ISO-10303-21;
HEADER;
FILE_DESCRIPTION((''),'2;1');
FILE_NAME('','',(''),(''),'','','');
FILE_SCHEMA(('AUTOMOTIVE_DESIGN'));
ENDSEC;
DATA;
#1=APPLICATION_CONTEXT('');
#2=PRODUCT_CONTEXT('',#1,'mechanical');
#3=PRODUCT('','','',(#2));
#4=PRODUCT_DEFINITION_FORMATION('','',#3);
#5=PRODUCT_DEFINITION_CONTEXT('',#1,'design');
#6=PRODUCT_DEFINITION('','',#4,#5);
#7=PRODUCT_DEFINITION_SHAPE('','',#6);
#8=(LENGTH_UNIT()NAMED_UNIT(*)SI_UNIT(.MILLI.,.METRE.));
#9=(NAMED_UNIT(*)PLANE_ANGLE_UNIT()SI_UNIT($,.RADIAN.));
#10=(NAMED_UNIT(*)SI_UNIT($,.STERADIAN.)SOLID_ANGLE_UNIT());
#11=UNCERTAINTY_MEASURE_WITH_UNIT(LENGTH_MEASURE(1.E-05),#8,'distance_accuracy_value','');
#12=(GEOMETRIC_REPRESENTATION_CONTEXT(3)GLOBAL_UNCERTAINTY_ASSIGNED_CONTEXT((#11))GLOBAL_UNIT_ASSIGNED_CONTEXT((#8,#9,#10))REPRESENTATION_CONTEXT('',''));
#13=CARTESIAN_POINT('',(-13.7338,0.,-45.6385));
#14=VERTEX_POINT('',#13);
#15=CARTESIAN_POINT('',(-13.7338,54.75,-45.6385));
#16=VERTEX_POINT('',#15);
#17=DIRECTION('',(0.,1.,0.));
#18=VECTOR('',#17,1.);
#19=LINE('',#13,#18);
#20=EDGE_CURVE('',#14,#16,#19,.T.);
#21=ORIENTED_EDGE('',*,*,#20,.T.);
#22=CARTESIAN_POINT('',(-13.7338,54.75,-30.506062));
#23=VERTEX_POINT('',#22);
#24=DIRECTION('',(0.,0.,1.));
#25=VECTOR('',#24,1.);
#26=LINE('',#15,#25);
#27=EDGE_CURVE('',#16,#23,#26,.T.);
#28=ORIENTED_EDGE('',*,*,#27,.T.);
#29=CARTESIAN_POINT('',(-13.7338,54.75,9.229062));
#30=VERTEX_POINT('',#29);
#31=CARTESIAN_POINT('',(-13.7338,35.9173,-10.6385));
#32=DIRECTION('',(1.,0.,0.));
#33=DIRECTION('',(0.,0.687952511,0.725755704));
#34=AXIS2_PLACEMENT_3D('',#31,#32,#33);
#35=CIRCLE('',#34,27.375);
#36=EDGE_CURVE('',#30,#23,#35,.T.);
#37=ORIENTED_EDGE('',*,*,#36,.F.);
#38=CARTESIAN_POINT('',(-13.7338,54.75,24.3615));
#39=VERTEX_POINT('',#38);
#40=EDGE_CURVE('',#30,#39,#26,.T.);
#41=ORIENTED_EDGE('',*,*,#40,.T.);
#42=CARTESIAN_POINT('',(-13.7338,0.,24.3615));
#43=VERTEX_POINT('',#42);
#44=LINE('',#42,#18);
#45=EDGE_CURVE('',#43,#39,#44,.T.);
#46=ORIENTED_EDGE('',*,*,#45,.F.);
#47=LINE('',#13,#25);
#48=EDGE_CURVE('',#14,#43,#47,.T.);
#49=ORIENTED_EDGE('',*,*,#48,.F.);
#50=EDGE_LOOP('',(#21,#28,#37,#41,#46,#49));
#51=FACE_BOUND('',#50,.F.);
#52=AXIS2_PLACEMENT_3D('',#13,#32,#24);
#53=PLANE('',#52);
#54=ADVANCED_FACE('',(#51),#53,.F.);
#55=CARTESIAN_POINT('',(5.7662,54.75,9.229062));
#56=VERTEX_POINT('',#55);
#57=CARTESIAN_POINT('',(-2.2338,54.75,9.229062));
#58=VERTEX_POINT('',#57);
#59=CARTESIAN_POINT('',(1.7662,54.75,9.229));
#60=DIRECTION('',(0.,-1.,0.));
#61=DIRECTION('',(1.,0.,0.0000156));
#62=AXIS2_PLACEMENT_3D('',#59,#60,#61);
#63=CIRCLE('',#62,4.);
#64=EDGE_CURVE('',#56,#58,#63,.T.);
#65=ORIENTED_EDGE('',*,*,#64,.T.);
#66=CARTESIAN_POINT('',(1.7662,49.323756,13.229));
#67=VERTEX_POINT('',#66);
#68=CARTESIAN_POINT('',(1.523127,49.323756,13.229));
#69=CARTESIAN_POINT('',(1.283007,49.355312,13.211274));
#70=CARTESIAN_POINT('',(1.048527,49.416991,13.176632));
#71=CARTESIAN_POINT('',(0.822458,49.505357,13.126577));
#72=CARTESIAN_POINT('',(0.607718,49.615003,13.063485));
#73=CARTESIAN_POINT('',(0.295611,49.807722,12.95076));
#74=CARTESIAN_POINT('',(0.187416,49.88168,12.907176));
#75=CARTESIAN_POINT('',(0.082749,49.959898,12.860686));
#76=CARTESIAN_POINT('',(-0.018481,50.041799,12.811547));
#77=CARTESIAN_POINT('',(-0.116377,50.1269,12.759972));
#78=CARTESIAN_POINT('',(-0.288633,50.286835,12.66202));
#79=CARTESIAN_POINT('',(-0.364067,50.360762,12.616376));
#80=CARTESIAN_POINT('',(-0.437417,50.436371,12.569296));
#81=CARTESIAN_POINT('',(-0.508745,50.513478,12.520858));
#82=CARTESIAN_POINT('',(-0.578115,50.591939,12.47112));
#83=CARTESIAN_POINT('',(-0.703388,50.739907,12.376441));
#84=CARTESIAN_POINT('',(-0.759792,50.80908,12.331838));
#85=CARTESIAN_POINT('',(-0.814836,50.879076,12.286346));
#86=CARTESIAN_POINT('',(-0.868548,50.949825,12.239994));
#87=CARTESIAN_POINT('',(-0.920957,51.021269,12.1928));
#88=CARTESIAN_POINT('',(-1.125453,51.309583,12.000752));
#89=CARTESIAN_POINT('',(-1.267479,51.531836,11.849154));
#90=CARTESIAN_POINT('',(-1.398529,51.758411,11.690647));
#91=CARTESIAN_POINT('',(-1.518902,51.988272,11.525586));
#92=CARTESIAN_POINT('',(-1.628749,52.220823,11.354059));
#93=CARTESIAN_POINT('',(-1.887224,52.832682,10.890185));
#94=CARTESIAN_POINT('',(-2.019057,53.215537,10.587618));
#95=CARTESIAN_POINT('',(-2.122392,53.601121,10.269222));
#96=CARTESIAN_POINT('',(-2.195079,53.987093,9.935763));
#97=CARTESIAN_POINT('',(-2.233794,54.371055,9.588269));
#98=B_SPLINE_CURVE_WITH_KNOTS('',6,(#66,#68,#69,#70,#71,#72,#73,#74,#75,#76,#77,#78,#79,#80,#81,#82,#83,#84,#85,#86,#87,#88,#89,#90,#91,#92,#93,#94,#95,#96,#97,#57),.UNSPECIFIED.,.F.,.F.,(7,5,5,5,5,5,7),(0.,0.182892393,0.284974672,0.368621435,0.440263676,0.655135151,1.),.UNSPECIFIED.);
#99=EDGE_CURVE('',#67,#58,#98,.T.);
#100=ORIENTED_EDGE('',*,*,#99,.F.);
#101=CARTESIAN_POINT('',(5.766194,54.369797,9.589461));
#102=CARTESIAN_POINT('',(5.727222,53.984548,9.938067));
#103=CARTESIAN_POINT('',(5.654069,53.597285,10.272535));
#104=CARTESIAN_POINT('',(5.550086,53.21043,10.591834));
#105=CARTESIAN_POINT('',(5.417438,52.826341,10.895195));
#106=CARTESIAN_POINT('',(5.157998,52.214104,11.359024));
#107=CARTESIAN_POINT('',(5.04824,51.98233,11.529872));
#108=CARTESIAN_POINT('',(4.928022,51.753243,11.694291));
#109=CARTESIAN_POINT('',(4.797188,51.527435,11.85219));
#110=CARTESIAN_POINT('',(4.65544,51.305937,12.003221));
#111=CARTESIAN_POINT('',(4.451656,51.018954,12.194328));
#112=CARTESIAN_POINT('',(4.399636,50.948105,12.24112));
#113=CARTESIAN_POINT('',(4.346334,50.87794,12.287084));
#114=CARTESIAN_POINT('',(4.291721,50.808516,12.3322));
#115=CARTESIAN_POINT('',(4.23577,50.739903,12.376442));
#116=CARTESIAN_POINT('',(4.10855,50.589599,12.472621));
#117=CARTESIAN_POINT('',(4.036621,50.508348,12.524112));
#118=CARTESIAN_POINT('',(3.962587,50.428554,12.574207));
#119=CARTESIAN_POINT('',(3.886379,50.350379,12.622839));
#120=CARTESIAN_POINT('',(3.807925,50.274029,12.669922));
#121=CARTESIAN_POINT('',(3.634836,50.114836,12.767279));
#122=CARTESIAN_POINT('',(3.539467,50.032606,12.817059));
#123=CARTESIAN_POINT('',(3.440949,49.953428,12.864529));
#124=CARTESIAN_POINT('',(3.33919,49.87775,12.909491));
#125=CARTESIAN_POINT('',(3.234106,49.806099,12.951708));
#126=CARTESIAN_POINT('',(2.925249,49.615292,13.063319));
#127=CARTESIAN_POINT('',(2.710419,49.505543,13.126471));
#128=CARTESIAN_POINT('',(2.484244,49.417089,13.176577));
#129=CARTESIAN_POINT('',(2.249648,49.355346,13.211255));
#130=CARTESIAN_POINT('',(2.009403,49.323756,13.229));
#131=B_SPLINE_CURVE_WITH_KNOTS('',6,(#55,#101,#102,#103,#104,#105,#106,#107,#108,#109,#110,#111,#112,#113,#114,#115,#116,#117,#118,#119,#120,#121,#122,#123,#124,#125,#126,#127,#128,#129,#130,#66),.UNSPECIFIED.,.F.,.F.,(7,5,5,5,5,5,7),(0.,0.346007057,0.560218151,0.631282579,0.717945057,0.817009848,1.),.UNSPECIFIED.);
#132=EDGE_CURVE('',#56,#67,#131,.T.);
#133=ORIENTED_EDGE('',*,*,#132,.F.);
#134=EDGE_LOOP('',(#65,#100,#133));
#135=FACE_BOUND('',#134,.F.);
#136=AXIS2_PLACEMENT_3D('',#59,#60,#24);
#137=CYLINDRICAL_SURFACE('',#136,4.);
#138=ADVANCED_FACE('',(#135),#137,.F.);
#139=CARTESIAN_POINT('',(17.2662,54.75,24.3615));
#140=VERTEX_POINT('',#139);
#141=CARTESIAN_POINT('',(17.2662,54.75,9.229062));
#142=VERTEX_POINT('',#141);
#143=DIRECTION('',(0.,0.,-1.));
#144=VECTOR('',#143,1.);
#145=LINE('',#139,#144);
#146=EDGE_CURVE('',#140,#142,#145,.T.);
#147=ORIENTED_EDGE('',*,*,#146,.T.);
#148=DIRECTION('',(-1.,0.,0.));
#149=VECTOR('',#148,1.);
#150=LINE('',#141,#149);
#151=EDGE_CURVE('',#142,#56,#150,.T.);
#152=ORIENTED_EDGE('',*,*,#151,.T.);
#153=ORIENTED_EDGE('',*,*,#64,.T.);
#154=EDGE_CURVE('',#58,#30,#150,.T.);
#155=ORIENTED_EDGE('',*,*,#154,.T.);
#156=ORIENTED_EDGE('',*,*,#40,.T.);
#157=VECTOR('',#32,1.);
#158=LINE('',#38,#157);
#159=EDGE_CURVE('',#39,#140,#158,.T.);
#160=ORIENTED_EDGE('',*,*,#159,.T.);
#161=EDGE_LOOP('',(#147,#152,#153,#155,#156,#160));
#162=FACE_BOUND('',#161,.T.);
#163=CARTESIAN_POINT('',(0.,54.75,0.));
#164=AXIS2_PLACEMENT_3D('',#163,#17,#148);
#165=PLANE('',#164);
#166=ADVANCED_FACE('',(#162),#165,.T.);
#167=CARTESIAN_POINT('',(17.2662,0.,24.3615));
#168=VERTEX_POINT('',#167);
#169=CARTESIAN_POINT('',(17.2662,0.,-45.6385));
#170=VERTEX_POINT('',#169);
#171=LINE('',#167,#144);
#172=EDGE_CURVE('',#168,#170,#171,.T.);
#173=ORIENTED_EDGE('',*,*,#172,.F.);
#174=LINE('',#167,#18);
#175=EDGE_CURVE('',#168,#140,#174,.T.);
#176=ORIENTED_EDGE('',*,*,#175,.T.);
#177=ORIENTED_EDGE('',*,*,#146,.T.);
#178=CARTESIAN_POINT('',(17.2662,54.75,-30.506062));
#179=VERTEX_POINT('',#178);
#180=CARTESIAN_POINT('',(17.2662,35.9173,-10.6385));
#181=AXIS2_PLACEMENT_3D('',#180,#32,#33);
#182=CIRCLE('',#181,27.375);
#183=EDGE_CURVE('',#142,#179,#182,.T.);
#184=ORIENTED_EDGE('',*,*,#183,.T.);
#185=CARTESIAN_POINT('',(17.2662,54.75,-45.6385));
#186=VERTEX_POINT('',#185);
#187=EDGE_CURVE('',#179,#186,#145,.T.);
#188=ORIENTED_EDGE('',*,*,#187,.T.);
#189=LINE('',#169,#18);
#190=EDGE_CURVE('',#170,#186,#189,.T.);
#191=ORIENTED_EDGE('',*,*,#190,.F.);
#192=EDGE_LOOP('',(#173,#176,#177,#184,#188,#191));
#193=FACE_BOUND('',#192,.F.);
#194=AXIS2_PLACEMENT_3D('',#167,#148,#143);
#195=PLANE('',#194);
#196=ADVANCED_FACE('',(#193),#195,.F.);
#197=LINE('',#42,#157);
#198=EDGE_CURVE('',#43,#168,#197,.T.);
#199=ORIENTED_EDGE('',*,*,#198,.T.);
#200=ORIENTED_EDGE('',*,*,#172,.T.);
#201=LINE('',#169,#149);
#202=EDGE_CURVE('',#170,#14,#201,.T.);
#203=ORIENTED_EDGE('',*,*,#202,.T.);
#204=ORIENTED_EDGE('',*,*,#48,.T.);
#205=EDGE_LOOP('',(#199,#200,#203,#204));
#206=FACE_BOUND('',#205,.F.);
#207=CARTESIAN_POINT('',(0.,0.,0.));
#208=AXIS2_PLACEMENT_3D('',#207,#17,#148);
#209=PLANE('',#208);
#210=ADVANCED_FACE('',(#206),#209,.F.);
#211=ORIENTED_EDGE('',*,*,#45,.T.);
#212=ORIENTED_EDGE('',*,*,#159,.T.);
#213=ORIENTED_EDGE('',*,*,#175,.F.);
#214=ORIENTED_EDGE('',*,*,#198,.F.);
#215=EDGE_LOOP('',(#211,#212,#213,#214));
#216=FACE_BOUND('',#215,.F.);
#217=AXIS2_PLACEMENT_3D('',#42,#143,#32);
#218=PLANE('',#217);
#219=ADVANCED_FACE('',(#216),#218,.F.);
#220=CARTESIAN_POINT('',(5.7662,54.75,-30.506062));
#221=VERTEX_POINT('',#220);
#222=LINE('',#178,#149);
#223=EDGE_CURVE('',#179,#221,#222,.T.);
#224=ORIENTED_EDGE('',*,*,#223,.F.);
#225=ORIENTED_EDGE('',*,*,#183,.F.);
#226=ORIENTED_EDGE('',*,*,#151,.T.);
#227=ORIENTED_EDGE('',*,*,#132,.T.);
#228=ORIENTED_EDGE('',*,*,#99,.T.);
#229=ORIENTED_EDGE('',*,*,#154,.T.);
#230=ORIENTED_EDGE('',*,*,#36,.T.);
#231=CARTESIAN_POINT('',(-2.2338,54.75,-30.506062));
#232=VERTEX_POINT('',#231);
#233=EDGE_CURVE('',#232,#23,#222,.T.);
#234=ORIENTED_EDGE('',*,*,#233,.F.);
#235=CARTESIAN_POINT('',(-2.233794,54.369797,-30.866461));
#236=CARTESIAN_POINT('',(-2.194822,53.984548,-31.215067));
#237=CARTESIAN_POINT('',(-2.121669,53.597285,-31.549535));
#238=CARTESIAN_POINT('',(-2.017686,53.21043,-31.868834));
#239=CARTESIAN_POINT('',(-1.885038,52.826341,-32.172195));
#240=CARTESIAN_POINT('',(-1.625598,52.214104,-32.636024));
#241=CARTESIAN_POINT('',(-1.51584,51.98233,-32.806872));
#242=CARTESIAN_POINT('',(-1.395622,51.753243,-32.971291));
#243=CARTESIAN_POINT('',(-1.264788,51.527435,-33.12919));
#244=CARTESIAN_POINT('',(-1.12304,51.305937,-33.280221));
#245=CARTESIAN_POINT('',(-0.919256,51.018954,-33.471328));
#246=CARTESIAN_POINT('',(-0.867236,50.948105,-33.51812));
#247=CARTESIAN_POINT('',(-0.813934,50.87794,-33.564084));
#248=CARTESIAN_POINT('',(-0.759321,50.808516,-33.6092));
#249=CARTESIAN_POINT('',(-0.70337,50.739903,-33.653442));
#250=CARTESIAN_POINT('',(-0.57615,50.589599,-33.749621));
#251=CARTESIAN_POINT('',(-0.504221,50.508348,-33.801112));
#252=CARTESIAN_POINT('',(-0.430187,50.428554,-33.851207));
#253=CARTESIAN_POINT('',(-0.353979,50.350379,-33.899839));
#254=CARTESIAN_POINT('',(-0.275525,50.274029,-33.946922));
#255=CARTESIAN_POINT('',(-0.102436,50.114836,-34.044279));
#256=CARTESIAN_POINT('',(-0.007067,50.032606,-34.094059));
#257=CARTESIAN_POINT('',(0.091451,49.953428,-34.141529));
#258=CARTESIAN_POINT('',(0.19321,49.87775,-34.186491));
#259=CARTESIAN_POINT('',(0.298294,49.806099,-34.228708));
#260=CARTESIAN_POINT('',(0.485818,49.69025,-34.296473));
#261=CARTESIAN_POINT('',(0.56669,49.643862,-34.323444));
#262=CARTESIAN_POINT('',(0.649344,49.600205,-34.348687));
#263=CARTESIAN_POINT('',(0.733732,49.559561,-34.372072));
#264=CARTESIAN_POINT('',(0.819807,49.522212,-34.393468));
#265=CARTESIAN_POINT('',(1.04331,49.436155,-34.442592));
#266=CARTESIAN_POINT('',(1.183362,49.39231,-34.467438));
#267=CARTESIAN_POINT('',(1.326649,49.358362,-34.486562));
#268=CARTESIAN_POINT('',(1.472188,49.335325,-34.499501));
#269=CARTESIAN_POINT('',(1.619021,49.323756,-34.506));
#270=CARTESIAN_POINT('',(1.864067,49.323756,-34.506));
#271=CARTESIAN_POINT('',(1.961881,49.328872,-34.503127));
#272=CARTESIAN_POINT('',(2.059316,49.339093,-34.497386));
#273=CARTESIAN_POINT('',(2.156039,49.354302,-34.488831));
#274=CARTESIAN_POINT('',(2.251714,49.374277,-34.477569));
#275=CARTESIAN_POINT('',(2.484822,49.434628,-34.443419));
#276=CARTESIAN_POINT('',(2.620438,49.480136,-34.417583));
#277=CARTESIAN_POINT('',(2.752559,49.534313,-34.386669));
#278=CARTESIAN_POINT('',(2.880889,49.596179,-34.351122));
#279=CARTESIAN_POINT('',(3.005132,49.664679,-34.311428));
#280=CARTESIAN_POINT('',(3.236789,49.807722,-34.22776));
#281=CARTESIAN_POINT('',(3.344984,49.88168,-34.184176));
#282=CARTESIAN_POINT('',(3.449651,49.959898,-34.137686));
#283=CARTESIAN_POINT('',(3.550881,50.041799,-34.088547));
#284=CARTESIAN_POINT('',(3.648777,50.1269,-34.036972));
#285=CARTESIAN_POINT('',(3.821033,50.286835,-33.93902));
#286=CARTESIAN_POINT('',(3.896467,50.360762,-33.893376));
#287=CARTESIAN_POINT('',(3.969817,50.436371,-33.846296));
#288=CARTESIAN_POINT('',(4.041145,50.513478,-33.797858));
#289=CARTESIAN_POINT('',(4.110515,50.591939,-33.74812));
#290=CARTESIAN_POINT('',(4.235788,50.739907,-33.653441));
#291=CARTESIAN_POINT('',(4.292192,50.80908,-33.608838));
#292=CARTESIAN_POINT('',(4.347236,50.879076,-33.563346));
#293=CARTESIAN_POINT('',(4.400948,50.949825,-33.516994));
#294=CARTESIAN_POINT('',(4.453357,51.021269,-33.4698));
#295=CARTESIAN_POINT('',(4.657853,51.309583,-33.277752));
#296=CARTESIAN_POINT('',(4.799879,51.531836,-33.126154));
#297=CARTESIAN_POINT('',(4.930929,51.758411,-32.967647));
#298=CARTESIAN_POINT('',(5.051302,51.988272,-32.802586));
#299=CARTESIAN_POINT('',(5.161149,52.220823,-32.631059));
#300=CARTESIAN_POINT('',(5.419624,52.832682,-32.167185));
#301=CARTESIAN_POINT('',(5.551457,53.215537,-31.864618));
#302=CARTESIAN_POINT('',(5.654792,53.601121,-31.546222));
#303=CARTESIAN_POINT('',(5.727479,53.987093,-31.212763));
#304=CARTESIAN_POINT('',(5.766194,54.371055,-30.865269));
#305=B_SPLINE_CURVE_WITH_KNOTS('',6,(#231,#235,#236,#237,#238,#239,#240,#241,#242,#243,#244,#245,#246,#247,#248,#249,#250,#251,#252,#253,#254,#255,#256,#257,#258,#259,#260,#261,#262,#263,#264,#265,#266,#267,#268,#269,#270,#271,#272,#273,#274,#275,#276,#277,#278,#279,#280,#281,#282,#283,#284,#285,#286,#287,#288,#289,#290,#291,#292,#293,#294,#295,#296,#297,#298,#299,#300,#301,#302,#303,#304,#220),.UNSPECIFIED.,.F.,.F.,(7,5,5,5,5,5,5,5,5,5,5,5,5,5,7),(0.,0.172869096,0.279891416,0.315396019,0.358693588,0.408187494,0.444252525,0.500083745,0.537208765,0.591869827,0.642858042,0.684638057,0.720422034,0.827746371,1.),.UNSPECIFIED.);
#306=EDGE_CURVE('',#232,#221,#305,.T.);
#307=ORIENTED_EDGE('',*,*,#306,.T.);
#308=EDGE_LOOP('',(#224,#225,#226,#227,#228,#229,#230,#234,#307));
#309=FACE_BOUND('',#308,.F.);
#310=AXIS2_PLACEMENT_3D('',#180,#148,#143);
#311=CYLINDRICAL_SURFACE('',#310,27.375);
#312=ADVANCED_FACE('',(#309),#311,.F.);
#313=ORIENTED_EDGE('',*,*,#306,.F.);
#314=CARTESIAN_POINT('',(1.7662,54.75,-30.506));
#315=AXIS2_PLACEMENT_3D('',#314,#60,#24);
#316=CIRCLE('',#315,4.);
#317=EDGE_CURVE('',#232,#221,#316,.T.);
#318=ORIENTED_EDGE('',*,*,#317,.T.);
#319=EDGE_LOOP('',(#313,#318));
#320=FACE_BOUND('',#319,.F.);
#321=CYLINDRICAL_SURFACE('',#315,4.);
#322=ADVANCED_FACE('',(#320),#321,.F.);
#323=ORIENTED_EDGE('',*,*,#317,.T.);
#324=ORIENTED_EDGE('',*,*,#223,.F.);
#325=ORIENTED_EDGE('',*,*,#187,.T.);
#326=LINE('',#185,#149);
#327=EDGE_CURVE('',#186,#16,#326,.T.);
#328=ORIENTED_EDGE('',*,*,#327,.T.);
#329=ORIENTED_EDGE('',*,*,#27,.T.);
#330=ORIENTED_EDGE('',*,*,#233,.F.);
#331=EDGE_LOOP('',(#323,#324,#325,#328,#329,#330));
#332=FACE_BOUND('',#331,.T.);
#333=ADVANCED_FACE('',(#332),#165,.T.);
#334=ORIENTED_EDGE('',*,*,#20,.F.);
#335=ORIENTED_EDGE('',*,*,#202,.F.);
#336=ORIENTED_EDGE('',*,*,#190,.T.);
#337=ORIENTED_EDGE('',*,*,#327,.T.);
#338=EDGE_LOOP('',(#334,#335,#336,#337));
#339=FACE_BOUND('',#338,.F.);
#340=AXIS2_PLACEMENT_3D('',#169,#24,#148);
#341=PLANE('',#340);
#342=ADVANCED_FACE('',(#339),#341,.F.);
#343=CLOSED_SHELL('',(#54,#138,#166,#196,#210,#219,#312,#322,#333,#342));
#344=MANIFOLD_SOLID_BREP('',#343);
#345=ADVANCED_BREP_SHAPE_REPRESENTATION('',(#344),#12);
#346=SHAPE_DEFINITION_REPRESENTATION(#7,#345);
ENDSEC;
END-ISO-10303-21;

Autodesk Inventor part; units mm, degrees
ref_plane "YZ Plane" through (0, 0, 0) normal (1, 0, 0) x (0, 1, 0)
ref_plane "XZ Plane" through (0, 0, 0) normal (0, 1, 0) x (-1, 0, 0)
ref_plane "XY Plane" through (0, 0, 0) normal (0, 0, 1) x (1, 0, 0)
sketch "Sketch1" plane through (0, 0, 0) normal (0, 1, 0) x (-1, 0, 0)
  line L0 (13.7338, 24.3615) -> (-17.2662, 24.3615)
  line L1 (-17.2662, 24.3615) -> (-17.2662, -45.6385)
  line L2 (-17.2662, -45.6385) -> (13.7338, -45.6385)
  line L3 (13.7338, -45.6385) -> (13.7338, 24.3615)
  point P0 (0, 0)
  dimension "d0" = 31
  dimension "d1" = 70
extrude "Extrusion1" add sketch "Sketch1" along normal blind 54.75
sketch "Sketch2" plane through (17.2662, 0, 24.3615) normal (1, 0, 0) x (0, 0, -1)
  circle A0 centre (35, 35.9173) radius 27.375
  line L0 (0, 54.75) -> (70, 54.75) construction
  point P0 (24.3615, 0)
  point P1 (35, 54.75)
  dimension "d4" = 54.75
hole "Hole1" at (17.2662, 35.9173, -10.6385) direction (-1, 0, 0) diameter 54.75 end through all
sketch "Sketch3" plane through (0, 0, 0) normal (0, -1, 0) x (1, 0, 0)
  point P0 (0, 0)
sketch "Sketch4" plane through (0, 54.75, 0) normal (0, 1, 0) x (1, 0, 0)
  line L0 (-13.7338, -9.229) -> (17.2662, -9.229) construction
  line L1 (17.2662, -9.229) -> (-13.7338, -9.229) construction
  circle A0 centre (1.7662, -9.229) radius 4 construction
  point P0 (0, 0)
  dimension "d12" = 8
sketch "Sketch5" plane through (0, 54.75, 0) normal (0, 1, 0) x (1, 0, 0)
  line L0 (17.2662, 30.506) -> (-13.7338, 30.506) construction
  line L1 (-13.7338, 30.506) -> (17.2662, 30.506) construction
  circle A0 centre (1.7662, 30.506) radius 4 construction
  point P0 (0, 0)
  dimension "d13" = 8
hole "Hole2" at (1.7662, 54.75, 9.229) direction (0, -1, 0) diameter 8 depth 8 tip angle 118
hole "Hole3" at (1.7662, 54.75, -30.506) direction (0, -1, 0) diameter 8 depth 8 tip angle 118
sketch "Sketch6" plane through (0, 54.75, 0) normal (0, 1, 0) x (1, 0, 0)
  point P0 (0, 0)
properties part number "Noke_base"
